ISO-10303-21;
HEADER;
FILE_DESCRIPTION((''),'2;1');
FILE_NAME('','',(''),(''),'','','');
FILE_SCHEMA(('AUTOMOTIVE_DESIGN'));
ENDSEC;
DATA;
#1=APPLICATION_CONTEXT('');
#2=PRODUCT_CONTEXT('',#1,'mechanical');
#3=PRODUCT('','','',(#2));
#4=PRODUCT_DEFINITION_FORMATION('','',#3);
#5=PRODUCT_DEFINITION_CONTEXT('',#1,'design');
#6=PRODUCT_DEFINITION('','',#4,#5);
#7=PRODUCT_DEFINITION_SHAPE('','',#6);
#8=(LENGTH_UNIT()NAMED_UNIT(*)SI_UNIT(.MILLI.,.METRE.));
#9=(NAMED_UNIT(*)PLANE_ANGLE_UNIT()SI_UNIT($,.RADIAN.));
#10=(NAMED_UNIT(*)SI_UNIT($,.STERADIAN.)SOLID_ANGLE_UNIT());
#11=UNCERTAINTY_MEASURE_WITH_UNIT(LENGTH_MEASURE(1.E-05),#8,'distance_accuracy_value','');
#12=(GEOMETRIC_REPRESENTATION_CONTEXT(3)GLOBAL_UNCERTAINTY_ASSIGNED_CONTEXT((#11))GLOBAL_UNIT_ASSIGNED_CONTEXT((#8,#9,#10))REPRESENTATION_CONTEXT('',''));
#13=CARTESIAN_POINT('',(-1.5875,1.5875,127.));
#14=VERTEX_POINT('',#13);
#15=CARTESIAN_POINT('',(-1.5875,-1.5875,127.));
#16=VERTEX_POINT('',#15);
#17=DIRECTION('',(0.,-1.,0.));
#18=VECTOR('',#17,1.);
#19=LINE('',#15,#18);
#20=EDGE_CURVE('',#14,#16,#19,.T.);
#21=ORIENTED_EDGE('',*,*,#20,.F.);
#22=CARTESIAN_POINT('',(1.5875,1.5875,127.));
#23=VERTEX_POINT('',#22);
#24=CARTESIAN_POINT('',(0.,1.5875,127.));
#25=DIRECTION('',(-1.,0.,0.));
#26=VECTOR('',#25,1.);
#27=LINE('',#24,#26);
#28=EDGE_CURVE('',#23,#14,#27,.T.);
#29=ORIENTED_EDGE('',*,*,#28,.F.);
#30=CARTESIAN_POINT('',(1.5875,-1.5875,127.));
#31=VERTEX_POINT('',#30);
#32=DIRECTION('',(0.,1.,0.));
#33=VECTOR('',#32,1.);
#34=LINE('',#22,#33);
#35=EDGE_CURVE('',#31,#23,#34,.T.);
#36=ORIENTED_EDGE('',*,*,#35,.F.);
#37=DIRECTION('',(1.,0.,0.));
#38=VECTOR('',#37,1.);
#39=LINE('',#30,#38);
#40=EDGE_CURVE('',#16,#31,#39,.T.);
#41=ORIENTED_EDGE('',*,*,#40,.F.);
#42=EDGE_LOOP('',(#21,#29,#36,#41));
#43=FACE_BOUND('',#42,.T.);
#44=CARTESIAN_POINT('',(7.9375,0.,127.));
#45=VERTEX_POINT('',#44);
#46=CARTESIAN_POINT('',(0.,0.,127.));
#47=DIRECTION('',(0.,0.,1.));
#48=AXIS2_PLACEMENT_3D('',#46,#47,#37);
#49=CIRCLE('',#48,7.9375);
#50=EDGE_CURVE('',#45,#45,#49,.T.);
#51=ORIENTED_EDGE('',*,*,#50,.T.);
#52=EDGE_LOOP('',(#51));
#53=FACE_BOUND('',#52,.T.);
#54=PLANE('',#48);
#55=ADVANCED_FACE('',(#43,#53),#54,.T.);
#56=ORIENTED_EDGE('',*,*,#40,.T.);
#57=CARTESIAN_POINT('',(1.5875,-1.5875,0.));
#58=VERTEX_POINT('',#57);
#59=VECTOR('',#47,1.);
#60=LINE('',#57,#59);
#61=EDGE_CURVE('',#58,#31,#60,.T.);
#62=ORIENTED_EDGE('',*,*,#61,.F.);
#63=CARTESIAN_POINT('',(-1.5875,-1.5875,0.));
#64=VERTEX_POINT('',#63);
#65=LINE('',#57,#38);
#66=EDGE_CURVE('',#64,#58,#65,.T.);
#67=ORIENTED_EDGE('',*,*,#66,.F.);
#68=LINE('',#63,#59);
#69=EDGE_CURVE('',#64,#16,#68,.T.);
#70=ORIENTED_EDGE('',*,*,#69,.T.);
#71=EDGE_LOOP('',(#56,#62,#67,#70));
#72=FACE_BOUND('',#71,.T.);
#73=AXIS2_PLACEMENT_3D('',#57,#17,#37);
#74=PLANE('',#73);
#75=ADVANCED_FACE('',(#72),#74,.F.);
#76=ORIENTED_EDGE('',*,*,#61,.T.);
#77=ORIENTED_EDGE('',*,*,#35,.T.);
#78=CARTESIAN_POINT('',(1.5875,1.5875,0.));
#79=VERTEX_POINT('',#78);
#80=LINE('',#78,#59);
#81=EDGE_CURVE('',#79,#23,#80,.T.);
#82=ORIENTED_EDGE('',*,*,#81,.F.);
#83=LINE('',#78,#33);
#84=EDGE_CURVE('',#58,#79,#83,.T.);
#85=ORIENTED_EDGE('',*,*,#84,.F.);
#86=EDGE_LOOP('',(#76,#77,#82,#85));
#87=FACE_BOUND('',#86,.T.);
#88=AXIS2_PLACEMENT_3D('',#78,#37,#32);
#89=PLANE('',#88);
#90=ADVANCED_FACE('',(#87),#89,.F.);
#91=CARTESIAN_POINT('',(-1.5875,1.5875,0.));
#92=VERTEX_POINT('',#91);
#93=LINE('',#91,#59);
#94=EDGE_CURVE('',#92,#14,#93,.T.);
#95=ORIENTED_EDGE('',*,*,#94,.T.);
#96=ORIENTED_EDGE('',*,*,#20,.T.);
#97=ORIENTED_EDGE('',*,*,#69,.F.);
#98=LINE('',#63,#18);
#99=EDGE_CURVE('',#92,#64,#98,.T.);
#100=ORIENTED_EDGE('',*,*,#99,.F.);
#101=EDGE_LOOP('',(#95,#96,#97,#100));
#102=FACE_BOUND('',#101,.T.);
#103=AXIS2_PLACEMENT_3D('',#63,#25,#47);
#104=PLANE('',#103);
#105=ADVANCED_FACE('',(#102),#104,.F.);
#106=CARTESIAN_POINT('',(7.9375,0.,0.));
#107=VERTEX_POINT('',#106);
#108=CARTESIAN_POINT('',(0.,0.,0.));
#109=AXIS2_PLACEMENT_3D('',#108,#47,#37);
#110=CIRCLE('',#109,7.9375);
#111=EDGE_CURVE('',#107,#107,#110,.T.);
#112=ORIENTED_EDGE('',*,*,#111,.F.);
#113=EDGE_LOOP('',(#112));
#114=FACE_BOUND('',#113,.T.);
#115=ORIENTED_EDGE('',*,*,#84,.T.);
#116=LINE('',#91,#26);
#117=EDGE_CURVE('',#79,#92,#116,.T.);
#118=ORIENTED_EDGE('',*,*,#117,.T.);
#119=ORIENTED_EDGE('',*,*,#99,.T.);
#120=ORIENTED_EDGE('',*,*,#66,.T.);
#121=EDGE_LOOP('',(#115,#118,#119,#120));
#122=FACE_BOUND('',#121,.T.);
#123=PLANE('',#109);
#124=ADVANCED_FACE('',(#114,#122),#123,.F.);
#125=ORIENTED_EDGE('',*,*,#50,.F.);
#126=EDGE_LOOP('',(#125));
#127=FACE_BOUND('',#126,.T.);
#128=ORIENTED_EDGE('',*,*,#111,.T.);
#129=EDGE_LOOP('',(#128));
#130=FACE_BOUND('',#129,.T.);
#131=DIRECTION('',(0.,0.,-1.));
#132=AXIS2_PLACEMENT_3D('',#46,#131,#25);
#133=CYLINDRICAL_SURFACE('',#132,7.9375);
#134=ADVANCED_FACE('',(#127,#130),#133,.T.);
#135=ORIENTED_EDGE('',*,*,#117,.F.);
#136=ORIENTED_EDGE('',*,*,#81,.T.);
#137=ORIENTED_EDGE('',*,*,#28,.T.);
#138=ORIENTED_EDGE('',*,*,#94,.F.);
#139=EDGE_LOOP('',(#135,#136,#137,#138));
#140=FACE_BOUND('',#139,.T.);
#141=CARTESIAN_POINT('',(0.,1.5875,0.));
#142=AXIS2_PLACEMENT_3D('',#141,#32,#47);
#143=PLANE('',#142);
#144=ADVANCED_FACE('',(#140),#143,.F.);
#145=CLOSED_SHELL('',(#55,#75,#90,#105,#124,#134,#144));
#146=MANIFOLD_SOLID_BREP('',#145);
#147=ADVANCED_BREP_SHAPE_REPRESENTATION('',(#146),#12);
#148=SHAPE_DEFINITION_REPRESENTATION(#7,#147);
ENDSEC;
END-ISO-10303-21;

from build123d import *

# Parameters (mm, degrees)
SKETCH1_R           = 7.9375
BOSS_EXTRUDE1_DEPTH = 127
CUT_EXTRUDE1_DEPTH  = 128


with BuildPart() as part:
    # Sketch1 → Boss-Extrude1 (new body)
    with BuildSketch(Plane.XY):
        Circle(SKETCH1_R)
    extrude(amount=BOSS_EXTRUDE1_DEPTH)

    # Sketch2 → Cut-Extrude1 (cut, through all)
    with BuildSketch(Plane.XY.offset(127)):
        Polygon((0, 1.5875), (1.5875, 1.5875), (1.5875, -1.5875), (-1.5875, -1.5875), (-1.5875, 1.5875), align=None)
    extrude(amount=-CUT_EXTRUDE1_DEPTH, mode=Mode.SUBTRACT)


solid = part.part
